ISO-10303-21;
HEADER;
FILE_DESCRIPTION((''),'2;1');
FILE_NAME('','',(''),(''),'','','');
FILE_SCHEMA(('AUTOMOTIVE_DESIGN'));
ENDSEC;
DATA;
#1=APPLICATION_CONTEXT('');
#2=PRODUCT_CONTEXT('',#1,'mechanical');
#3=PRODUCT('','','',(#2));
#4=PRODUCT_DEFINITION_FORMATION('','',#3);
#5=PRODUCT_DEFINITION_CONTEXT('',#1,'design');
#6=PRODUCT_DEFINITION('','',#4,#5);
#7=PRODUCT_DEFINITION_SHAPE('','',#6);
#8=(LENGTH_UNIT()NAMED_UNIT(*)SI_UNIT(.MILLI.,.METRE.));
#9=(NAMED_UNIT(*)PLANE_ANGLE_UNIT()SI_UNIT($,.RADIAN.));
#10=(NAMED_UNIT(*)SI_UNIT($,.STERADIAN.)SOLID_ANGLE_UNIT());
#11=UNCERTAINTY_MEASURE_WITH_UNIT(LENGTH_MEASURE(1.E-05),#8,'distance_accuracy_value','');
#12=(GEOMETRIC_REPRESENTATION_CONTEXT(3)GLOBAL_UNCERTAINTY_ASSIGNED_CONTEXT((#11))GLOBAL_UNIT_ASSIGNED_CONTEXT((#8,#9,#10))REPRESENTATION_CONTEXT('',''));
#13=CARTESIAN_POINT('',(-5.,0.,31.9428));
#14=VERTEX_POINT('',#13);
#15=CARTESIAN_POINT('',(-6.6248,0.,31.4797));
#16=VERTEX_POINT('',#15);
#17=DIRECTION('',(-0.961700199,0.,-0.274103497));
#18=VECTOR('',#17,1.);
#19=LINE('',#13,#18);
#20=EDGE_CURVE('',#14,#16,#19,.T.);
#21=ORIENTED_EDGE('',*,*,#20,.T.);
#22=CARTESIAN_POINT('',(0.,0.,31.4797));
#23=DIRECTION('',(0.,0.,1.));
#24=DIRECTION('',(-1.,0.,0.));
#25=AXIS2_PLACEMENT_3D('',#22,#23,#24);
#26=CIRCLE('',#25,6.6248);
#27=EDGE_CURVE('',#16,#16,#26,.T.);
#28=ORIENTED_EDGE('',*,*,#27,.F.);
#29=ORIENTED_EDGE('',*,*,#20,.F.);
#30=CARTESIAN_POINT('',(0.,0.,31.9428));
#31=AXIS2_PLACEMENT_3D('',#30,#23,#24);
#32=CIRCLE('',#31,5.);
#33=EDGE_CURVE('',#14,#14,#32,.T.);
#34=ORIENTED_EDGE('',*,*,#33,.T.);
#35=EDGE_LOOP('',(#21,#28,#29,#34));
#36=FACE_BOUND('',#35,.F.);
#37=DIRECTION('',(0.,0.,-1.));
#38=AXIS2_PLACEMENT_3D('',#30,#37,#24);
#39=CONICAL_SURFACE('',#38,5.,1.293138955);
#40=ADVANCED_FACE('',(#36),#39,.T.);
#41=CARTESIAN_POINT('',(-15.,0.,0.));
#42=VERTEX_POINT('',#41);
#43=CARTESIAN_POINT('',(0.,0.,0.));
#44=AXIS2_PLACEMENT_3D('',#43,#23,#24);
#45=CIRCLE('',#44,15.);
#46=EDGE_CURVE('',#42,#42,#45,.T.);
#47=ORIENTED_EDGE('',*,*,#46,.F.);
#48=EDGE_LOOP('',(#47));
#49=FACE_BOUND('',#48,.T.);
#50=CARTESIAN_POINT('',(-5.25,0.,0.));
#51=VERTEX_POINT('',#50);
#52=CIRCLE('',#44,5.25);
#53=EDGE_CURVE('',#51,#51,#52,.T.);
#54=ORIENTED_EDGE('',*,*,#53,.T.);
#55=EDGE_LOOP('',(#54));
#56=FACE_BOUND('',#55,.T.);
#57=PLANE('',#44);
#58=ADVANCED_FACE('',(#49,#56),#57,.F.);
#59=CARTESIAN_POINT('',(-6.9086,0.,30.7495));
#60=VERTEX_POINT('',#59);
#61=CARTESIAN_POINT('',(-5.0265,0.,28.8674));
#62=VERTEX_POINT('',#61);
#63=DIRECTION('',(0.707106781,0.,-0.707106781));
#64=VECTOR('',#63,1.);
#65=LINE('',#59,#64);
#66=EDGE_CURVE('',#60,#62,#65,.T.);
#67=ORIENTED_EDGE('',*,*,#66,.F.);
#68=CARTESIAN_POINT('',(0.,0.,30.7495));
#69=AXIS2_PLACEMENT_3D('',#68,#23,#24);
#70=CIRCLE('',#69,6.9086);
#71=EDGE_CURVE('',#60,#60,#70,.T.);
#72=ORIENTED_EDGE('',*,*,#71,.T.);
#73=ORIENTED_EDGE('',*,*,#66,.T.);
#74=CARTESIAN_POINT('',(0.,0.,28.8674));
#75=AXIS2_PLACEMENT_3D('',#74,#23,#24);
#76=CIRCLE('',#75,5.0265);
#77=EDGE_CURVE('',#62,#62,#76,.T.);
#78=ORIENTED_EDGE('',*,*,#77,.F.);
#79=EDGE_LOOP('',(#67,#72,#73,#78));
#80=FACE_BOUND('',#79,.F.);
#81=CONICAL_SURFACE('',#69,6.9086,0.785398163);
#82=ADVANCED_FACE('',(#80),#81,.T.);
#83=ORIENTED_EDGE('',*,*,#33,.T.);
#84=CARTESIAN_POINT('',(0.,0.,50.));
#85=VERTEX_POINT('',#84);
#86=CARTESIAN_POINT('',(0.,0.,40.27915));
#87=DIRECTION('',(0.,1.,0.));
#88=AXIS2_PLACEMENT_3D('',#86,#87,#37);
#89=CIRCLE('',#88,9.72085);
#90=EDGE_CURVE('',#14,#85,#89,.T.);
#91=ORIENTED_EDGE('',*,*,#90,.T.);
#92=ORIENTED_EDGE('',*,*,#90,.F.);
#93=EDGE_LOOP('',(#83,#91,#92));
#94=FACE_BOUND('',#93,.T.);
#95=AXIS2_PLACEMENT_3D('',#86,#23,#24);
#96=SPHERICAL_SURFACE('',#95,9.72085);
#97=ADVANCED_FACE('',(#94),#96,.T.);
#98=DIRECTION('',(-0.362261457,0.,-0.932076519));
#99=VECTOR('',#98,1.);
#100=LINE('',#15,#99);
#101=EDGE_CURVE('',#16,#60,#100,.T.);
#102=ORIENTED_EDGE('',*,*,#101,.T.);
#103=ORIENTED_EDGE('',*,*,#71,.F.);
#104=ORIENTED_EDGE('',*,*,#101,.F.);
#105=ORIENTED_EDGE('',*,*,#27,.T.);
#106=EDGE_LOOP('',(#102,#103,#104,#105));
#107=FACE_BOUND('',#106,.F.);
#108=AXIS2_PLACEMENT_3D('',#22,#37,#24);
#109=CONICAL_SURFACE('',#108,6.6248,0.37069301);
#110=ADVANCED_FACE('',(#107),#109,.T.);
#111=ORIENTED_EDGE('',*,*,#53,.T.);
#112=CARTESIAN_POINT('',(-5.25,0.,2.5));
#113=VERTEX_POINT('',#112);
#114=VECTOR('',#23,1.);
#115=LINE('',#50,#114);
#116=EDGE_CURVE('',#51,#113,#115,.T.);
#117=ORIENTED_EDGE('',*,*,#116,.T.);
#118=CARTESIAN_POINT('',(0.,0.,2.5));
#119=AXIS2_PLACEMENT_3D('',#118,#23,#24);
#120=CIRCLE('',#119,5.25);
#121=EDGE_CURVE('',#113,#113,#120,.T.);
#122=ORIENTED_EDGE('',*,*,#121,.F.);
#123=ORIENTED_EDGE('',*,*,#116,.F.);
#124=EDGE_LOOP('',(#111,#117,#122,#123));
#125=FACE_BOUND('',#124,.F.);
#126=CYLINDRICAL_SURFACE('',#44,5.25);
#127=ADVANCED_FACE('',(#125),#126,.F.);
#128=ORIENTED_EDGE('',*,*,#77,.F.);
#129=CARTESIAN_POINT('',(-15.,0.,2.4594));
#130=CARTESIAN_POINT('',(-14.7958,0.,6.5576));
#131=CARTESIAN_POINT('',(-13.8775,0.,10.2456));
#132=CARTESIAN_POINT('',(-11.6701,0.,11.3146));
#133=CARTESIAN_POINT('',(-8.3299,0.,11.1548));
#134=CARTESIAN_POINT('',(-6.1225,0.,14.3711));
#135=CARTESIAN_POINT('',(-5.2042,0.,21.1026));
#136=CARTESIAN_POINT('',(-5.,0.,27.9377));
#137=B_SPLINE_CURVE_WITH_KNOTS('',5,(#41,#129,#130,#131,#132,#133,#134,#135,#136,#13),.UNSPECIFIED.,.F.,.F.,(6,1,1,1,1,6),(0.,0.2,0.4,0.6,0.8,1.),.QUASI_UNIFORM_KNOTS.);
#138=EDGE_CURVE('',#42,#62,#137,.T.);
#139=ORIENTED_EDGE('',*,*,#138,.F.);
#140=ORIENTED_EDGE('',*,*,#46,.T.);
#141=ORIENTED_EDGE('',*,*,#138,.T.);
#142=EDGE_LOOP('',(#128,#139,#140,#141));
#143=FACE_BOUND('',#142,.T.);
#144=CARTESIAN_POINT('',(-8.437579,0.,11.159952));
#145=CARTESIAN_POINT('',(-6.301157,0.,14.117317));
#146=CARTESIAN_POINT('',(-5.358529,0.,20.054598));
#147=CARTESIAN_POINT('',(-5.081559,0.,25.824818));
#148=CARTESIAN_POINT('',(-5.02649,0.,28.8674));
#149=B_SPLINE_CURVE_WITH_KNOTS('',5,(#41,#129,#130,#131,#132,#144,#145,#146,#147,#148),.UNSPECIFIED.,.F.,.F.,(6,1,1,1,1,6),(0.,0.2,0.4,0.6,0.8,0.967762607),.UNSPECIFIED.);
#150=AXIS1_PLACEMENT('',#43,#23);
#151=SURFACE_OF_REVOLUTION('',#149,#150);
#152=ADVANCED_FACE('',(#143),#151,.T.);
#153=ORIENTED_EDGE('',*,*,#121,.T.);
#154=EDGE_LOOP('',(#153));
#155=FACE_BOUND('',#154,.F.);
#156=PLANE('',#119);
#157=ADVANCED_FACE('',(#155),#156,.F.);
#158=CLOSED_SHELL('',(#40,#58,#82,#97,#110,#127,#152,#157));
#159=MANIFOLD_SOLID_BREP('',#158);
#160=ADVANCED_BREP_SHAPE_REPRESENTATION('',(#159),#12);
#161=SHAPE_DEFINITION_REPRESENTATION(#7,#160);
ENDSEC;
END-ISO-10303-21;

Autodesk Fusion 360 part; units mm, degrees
sketch "Sketch1" plane through (0, 0, 0) normal (0, 1, 0) x (1, 0, 0)
  line L0 (0, 0) -> (-15, 0)
  spline S0 degree 5 poles (-15, 0) (-15, -2.4594) (-14.7958, -6.5576) (-13.8775, -10.2456) (-11.6701, -11.3146) (-8.3299, -11.1548) (-6.1225, -14.3711) (-5.2042, -21.1026) (-5, -27.9377) (-5, -31.9428) knots 0 0 0 0 0 0 0.2 0.4 0.6 0.8 1 1 1 1 1 1
  line L1 (-15, 5) -> (-15, -5)
  line L2 (0, 0) -> (0, -50)
  line L3 (-5, -23.8005) -> (-5, -40.085)
  line L4 (-5, -31.9428) -> (-6.6248, -31.4797)
  line L5 (-6.9086, -30.7495) -> (-5.0265, -28.8674)
  arc A0 (0, -30.5583) -> (0, -50) centre (0, -40.2791) ccw
  line L6 (-6.6248, -31.4797) -> (-6.9086, -30.7495)
  line L7 (-5.25, 0) -> (-5.25, -2.5)
  line L8 (-5.25, -2.5) -> (0, -2.5)
  dimension "d2" = 15
  dimension "d4" = 50
  dimension "d5" = 45
  dimension "d10" = 5
  dimension "d11" = 2.5
  dimension "d12" = 5.25
revolve "Revolve1" add sketch "Sketch1" angle 360 about axis through (0, 0, 0) along (0, 0, 1) contours L0 S0 L2 A0 L7 L8 | L2 A0 | S0 L4 L5 L6
equation "d2 = 1 / 2 * 3 cm"
